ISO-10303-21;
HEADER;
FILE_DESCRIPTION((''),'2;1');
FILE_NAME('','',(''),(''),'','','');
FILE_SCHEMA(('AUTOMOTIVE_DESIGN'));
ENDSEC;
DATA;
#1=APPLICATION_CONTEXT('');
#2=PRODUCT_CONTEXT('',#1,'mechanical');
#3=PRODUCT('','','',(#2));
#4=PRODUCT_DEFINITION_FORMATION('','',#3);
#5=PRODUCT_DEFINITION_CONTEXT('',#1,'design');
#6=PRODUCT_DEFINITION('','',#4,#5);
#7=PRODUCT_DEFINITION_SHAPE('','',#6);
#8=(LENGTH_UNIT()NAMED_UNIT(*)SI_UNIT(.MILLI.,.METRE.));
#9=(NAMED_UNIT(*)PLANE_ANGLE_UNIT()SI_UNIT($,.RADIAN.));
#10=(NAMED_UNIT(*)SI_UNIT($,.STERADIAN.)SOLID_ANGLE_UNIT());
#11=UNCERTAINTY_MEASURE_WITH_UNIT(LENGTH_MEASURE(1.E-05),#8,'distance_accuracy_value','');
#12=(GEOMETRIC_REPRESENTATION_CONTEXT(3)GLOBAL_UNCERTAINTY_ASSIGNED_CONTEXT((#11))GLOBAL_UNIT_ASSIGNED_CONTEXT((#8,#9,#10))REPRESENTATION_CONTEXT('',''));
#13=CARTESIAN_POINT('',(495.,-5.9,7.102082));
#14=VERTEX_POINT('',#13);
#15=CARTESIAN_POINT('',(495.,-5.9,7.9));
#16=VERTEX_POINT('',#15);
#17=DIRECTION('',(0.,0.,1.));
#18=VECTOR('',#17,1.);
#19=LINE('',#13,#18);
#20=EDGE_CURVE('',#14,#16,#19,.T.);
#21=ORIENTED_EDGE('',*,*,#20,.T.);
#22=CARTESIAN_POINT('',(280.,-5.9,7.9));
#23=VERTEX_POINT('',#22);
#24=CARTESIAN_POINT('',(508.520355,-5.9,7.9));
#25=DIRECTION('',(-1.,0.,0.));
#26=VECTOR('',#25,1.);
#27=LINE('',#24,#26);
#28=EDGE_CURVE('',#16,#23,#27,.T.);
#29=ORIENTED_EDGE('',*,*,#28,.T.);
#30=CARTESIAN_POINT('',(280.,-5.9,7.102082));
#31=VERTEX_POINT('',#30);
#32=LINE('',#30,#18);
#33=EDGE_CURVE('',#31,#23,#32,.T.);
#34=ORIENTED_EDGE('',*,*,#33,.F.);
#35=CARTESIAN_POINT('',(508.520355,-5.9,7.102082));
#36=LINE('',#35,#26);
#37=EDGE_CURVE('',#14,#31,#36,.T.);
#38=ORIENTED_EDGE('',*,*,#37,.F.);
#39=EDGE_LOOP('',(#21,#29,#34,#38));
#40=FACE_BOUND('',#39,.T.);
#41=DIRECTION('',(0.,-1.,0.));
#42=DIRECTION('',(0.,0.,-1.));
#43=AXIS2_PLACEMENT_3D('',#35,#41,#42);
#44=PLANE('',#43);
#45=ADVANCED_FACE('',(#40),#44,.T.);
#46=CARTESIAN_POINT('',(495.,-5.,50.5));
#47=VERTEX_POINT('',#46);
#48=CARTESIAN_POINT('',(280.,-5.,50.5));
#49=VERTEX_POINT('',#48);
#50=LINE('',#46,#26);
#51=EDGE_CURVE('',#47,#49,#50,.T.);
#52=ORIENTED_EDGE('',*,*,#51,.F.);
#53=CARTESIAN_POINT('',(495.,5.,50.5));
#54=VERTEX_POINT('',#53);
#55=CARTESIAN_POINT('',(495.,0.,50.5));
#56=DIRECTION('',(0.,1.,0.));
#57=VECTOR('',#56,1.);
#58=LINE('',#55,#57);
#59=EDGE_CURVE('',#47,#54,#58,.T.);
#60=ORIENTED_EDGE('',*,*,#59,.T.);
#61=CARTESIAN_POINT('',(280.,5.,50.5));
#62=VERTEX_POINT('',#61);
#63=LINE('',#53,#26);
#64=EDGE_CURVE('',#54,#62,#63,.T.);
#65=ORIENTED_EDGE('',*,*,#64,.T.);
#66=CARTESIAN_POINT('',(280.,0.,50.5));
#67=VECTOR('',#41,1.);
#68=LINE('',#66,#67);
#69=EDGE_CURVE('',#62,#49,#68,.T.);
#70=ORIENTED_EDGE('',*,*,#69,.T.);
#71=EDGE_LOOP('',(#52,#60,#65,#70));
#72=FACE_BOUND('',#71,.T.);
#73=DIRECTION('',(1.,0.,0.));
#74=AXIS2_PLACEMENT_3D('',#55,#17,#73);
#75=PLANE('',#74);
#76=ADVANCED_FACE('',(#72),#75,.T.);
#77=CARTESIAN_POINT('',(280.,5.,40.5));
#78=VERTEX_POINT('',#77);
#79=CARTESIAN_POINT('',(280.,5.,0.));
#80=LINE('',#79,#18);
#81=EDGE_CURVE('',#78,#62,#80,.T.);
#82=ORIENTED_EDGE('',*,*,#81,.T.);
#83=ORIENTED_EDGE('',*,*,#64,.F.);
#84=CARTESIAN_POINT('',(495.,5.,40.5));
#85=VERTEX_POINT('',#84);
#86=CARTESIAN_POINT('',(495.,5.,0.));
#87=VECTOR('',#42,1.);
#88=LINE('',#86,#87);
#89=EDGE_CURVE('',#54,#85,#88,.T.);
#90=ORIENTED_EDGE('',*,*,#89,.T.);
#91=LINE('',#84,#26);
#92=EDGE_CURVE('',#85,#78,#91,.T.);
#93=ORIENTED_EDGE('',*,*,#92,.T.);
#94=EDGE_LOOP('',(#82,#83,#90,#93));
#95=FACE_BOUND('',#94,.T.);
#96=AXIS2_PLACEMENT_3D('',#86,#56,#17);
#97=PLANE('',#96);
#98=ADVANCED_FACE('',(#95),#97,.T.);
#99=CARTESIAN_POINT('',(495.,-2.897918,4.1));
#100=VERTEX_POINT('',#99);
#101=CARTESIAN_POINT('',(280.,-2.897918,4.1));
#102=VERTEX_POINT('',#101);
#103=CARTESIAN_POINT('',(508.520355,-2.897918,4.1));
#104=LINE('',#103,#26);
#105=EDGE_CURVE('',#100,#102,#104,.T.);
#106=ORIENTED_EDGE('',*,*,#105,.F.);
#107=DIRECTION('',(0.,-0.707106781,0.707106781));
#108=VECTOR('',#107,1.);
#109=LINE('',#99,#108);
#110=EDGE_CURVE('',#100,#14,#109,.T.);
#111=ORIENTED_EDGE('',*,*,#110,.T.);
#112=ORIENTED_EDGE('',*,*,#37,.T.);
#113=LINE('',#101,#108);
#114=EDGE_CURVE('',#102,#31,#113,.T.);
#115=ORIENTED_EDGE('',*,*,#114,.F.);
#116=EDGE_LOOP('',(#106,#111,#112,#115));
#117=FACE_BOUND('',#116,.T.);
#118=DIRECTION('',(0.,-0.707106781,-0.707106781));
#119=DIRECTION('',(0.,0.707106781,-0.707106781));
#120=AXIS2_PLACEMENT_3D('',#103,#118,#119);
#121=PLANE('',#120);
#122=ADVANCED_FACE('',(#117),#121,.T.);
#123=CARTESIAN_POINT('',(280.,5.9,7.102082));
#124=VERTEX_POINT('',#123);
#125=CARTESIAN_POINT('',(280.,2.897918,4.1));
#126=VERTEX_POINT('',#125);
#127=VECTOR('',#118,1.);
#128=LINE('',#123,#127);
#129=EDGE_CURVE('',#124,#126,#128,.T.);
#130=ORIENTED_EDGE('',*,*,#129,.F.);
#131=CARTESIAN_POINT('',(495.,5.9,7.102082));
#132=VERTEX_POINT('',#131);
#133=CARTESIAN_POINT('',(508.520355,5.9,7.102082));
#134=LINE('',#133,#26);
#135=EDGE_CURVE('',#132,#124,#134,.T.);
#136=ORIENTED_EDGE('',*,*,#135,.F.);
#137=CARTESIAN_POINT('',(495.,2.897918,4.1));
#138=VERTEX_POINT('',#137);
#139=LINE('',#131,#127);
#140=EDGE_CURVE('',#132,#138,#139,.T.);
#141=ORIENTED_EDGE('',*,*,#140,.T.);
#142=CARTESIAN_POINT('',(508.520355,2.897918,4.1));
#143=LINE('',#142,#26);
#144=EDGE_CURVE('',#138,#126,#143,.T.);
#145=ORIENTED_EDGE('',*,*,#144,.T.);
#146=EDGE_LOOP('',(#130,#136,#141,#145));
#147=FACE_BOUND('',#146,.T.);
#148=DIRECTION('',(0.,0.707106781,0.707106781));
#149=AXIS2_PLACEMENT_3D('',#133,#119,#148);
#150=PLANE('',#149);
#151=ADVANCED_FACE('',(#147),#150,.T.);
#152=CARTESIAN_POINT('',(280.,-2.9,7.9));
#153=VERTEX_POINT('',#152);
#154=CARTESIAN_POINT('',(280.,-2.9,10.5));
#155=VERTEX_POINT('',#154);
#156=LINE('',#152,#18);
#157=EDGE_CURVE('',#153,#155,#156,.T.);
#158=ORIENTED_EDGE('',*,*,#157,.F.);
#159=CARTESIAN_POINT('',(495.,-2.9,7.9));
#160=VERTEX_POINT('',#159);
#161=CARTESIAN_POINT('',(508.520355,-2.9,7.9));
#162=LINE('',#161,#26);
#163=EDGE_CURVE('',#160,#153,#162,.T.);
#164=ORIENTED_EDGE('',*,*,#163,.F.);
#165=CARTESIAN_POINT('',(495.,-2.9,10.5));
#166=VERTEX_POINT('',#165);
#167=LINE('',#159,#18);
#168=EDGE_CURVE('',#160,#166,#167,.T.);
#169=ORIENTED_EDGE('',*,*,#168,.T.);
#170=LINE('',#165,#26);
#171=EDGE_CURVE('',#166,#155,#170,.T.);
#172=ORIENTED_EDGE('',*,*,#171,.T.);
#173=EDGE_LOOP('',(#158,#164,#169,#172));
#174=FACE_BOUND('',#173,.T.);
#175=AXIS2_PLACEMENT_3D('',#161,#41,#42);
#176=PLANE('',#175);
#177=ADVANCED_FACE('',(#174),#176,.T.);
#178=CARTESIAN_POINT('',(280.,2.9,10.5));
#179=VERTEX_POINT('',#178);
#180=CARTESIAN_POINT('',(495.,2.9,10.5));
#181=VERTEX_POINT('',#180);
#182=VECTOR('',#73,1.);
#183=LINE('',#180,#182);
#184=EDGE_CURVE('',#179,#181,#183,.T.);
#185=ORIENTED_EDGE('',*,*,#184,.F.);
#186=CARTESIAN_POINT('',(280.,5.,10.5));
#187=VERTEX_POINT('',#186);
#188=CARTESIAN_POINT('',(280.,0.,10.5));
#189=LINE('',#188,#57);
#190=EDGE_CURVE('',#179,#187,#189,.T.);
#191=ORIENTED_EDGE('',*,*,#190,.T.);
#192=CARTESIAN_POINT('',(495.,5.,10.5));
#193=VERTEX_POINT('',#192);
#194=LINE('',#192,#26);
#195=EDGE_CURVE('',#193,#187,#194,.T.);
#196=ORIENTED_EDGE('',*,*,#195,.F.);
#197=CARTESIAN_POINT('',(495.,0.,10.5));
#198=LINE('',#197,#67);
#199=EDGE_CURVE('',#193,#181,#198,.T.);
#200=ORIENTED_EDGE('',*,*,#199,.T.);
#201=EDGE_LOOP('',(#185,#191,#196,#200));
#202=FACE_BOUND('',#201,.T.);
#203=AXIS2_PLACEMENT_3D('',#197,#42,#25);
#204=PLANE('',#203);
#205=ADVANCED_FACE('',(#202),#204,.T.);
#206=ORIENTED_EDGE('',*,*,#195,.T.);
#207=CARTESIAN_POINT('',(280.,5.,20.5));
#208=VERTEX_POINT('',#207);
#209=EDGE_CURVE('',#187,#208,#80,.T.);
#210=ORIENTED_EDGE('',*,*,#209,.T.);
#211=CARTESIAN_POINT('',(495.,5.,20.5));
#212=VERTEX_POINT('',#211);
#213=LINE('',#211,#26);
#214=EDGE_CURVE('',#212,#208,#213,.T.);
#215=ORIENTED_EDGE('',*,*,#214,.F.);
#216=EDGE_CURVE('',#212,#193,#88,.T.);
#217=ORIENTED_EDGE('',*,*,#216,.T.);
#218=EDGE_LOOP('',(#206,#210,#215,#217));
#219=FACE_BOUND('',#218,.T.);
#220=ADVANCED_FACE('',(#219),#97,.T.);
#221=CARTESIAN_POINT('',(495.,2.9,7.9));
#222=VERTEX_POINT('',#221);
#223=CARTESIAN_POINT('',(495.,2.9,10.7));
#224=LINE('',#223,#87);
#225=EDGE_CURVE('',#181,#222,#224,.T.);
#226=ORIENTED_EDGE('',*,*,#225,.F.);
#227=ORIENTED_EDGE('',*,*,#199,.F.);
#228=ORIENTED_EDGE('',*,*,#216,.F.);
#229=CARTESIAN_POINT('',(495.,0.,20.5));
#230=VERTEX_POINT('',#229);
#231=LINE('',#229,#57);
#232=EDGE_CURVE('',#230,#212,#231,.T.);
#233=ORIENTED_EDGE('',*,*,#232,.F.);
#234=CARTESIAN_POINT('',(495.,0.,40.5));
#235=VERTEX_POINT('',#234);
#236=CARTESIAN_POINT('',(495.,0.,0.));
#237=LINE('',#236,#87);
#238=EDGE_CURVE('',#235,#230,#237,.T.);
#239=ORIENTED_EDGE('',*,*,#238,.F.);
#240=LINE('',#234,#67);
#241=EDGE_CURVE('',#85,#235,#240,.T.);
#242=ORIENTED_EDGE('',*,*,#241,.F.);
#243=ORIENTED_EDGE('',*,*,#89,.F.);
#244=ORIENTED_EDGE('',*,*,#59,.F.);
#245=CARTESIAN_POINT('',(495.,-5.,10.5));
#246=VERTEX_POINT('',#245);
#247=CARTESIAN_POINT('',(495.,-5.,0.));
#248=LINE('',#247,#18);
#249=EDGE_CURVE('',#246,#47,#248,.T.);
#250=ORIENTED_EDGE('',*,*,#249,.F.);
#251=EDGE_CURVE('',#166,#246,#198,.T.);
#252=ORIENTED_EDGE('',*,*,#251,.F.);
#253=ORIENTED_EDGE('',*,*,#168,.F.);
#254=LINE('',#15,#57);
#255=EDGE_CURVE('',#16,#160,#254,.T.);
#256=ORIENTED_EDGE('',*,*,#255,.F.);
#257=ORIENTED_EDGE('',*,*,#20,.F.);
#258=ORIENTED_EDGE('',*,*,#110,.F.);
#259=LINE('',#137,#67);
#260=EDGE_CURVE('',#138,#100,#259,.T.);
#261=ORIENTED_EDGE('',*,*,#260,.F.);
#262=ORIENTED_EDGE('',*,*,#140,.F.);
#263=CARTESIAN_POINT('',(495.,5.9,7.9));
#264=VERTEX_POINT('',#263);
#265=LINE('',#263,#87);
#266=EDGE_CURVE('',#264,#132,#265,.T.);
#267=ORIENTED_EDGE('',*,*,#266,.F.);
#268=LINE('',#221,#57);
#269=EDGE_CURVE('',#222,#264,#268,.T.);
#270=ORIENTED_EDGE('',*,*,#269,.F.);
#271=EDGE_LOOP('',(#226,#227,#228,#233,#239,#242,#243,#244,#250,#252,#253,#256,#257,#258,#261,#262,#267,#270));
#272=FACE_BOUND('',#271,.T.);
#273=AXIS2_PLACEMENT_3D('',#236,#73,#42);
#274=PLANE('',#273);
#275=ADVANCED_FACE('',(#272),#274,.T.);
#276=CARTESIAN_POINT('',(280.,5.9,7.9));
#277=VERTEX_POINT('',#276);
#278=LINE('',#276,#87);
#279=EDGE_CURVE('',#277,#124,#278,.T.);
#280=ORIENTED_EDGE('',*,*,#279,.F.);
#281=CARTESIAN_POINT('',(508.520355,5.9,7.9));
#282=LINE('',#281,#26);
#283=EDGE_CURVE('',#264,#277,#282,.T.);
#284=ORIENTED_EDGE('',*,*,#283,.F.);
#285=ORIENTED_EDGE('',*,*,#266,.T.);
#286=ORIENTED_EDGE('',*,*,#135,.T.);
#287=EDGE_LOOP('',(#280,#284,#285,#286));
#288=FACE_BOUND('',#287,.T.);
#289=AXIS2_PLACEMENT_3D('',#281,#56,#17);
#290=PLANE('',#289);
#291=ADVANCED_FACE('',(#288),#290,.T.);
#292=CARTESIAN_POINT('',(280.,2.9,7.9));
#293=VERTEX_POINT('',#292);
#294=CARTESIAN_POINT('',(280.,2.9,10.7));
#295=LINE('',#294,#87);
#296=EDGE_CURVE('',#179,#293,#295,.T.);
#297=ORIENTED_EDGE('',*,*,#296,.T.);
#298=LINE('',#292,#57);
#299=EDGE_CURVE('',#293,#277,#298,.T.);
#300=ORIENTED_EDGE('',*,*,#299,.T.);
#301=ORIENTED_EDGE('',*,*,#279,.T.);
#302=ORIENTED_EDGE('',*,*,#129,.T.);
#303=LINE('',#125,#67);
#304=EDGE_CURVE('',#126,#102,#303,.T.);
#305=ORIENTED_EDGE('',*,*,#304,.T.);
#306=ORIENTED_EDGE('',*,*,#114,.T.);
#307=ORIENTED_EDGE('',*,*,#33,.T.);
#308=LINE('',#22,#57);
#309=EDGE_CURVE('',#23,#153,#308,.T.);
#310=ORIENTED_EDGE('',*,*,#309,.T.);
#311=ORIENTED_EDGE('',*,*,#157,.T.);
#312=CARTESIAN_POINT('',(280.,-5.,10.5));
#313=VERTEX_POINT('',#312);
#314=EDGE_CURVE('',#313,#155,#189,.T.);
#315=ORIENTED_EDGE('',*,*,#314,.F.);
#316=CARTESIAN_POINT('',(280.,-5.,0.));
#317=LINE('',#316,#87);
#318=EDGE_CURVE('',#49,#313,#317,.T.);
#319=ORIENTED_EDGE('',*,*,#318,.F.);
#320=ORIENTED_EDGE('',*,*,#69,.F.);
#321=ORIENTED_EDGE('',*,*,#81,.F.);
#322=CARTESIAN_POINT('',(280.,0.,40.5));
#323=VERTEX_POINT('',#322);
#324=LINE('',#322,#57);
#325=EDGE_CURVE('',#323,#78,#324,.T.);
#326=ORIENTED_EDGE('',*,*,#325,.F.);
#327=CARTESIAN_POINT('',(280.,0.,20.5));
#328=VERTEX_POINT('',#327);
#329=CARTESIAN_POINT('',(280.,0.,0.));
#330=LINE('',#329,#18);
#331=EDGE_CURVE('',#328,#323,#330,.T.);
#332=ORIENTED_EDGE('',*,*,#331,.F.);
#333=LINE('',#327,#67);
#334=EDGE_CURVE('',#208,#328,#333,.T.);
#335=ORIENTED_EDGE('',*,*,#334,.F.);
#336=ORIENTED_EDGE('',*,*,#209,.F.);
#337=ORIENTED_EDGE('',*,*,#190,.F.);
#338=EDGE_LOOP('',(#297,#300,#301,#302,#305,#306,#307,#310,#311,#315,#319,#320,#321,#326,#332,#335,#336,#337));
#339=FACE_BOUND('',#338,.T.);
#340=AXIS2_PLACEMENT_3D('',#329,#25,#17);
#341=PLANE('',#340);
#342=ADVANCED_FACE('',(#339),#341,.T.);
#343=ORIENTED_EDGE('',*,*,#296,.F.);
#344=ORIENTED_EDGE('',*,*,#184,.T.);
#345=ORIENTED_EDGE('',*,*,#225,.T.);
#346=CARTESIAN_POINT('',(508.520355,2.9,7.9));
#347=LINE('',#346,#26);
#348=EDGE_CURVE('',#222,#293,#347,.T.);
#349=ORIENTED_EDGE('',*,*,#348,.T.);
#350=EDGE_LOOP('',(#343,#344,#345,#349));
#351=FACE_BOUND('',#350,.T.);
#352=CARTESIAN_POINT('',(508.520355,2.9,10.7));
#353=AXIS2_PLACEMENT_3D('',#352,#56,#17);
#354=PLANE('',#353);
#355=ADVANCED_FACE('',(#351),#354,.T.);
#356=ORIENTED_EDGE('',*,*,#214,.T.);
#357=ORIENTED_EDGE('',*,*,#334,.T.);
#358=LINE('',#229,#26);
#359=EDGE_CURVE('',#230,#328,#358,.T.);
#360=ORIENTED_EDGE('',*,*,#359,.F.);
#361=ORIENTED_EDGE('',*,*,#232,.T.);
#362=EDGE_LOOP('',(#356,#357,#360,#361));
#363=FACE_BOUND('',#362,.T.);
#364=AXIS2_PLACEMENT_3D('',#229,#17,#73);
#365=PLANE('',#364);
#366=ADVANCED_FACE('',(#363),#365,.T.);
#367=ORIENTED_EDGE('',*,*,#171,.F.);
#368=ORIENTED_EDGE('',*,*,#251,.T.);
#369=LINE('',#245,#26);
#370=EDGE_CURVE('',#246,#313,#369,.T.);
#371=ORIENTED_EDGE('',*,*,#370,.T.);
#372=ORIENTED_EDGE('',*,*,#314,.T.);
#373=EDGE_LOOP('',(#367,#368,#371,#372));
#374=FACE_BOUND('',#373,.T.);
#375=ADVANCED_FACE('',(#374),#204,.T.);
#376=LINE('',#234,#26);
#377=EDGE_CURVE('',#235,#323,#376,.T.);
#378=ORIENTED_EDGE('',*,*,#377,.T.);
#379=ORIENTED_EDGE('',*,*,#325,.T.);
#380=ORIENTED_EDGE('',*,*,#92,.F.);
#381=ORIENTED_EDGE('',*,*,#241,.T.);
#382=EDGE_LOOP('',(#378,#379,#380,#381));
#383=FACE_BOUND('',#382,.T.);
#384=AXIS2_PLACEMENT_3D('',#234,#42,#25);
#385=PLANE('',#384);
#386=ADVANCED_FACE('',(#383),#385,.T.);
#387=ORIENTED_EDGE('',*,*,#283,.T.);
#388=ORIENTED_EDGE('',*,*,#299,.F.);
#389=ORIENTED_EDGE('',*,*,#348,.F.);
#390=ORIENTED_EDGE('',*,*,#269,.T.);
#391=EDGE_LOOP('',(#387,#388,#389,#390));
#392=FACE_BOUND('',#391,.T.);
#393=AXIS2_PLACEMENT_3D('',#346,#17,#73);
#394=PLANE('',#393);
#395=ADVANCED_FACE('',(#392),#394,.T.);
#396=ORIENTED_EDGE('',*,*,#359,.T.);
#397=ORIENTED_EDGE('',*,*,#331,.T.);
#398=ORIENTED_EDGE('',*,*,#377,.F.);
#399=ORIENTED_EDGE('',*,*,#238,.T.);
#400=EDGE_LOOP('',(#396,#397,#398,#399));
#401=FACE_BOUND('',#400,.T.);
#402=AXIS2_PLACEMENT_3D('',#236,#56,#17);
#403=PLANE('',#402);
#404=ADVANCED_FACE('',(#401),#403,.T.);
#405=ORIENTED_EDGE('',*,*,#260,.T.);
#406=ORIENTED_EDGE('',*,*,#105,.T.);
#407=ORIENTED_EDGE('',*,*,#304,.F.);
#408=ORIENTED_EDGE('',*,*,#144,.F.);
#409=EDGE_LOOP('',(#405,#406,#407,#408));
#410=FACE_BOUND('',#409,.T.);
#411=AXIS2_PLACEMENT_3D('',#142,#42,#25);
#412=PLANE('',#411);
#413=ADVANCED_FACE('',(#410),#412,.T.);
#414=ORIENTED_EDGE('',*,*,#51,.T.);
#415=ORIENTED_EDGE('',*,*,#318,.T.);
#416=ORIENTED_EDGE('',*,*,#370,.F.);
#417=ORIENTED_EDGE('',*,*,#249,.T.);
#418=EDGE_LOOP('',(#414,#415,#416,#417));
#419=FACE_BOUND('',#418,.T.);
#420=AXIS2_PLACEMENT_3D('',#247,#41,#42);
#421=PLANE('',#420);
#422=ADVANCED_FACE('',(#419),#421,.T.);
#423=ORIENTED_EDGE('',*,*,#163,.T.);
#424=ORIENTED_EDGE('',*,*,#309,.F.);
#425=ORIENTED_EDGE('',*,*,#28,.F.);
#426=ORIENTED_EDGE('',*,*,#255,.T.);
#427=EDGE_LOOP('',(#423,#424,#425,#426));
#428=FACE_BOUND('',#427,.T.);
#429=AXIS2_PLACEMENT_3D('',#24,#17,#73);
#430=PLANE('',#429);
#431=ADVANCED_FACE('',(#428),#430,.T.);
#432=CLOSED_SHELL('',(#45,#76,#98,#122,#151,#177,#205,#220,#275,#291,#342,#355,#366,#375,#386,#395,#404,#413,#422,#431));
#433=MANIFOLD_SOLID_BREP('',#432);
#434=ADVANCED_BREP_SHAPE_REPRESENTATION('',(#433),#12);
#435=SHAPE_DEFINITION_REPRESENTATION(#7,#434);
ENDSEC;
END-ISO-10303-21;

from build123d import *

# Parameters (mm, degrees)
SKETCH1_R           = 2.1
BOSS_EXTRUDE1_DEPTH = 65
SKETCH84_W          = 0.3
SKETCH84_H          = 5.4
BOSS_EXTRUDE6_DEPTH = 430
SKETCH85_W          = 26.589814492
SKETCH85_H          = 26.977421118
CUT_EXTRUDE59_DEPTH = 434.070721707
SKETCH86_W          = 10.5
SKETCH86_H          = 16.670499862
CUT_EXTRUDE60_DEPTH = 20
SKETCH87_W          = 62.679537103
SKETCH87_H          = 29.503453987
CUT_EXTRUDE61_DEPTH = 215
BOSS_EXTRUDE7_DEPTH = 215


with BuildPart() as part:
    # Sketch1 → Boss-Extrude1 (new body)
    with BuildSketch(Plane(origin=(0, 0, 0), x_dir=(0, 0, -1), z_dir=(1, 0, 0))):
        with BuildLine():
            Line((-10, 9), (-10, 3))
            Line((-10, 3), (-8, 3))
            Line((-8, 3), (-8, 6))
            Line((-8, 6), (-7.060660172, 6))
            Line((-7.060660172, 6), (-4, 2.939339828))
            Line((-4, 2.939339828), (-4, -2.939339828))
            Line((-4, -2.939339828), (-7.060660172, -6))
            Line((-7.060660172, -6), (-8, -6))
            Line((-8, -6), (-8, -3))
            Line((-8, -3), (-10, -3))
            Line((-10, -3), (-10, -9))
            ThreePointArc((-10, -9), (-9.707106781, -9.707106781), (-9, -10))
            Line((-9, -10), (-3, -10))
            Line((-3, -10), (-3, -8))
            Line((-3, -8), (-6, -8))
            Line((-6, -8), (-6, -7.060660172))
            Line((-6, -7.060660172), (-2.939339828, -4))
            Line((-2.939339828, -4), (2.939339828, -4))
            Line((2.939339828, -4), (6, -7.060660172))
            Line((6, -7.060660172), (6, -8))
            Line((6, -8), (3, -8))
            Line((3, -8), (3, -10))
            Line((3, -10), (9, -10))
            ThreePointArc((9, -10), (9.707106781, -9.707106781), (10, -9))
            Line((10, -9), (10, -3))
            Line((10, -3), (8, -3))
            Line((8, -3), (8, -6))
            Line((8, -6), (7.060660172, -6))
            Line((7.060660172, -6), (4, -2.939339828))
            Line((4, -2.939339828), (4, 2.939339828))
            Line((4, 2.939339828), (7.060660172, 6))
            Line((7.060660172, 6), (8, 6))
            Line((8, 6), (8, 3))
            Line((8, 3), (10, 3))
            Line((10, 3), (10, 9))
            ThreePointArc((10, 9), (9.707106781, 9.707106781), (9, 10))
            Line((9, 10), (3, 10))
            Line((3, 10), (3, 8))
            Line((3, 8), (6, 8))
            Line((6, 8), (6, 7.060660172))
            Line((6, 7.060660172), (2.939339828, 4))
            Line((2.939339828, 4), (-2.939339828, 4))
            Line((-2.939339828, 4), (-6, 7.060660172))
            Line((-6, 7.060660172), (-6, 8))
            Line((-6, 8), (-3, 8))
            Line((-3, 8), (-3, 10))
            Line((-3, 10), (-9, 10))
            ThreePointArc((-9, 10), (-9.707106781, 9.707106781), (-10, 9))
        make_face()
        Circle(SKETCH1_R, mode=Mode.SUBTRACT)
    extrude(amount=BOSS_EXTRUDE1_DEPTH)

    # Sketch85 → Cut-Extrude59 (cut, through all)
    with BuildSketch(Plane(origin=(65, 0, 0), x_dir=(0, 0, -1), z_dir=(1, 0, 0))):
        with Locations((1.176321583, -0.814927094)):
            Rectangle(SKETCH85_W, SKETCH85_H)
    extrude(amount=-CUT_EXTRUDE59_DEPTH, mode=Mode.SUBTRACT)


with BuildPart() as body_2:
    # Sketch84 → Boss-Extrude6 (new body)
    with BuildSketch(Plane(origin=(65, 0, 0), x_dir=(0, 0, -1), z_dir=(1, 0, 0))):
        Polygon((-10, -2.7), (-10, 2.7), (-10.5, 2.7), (-10.5, 5), (-20.5, 5), (-20.5, 0), (-40.5, 0), (-40.5, 5), (-50.5, 5), (-50.5, -5), (-10.5, -5), (-10.5, -2.7), align=None)
        Polygon((-7.18492424, 5.7), (-4.3, 2.81507576), (-4.3, -2.81507576), (-7.18492424, -5.7), (-7.7, -5.7), (-7.7, -2.7), (-9.7, -2.7), (-9.7, 2.7), (-7.7, 2.7), (-7.7, 5.7), align=None)
        with Locations((-9.85, 0)):
            Rectangle(SKETCH84_W, SKETCH84_H)
    extrude(amount=BOSS_EXTRUDE6_DEPTH)

    # Sketch86 → Cut-Extrude60 (cut)
    with BuildSketch(Plane.ZY.offset(-65)):
        with Locations((5.25, -0.117074477)):
            Rectangle(SKETCH86_W, SKETCH86_H)
    extrude(amount=-CUT_EXTRUDE60_DEPTH, mode=Mode.SUBTRACT)

    # Sketch87 → Cut-Extrude61 (cut)
    with BuildSketch(Plane.ZY.offset(-65)):
        with Locations((27.544038236, 0.275447184)):
            Rectangle(SKETCH87_W, SKETCH87_H)
    extrude(amount=-CUT_EXTRUDE61_DEPTH, mode=Mode.SUBTRACT)

    # Sketch88 → Boss-Extrude7 (add)
    with BuildSketch(Plane.ZY.offset(-280)):
        Polygon((10.7, 2.9), (10.7, -2.9), (7.9, -2.9), (7.9, -5.9), (7.102081528, -5.9), (4.1, -2.897918472), (4.1, 2.897918472), (7.102081528, 5.9), (7.9, 5.9), (7.9, 2.9), align=None)
        Polygon((10.5, 2.7), (10.5, -2.7), (7.7, -2.7), (7.7, -5.7), (7.18492424, -5.7), (4.3, -2.81507576), (4.3, 2.81507576), (7.18492424, 5.7), (7.7, 5.7), (7.7, 2.7), align=None, mode=Mode.SUBTRACT)
    extrude(amount=-BOSS_EXTRUDE7_DEPTH)


solid = body_2.part
